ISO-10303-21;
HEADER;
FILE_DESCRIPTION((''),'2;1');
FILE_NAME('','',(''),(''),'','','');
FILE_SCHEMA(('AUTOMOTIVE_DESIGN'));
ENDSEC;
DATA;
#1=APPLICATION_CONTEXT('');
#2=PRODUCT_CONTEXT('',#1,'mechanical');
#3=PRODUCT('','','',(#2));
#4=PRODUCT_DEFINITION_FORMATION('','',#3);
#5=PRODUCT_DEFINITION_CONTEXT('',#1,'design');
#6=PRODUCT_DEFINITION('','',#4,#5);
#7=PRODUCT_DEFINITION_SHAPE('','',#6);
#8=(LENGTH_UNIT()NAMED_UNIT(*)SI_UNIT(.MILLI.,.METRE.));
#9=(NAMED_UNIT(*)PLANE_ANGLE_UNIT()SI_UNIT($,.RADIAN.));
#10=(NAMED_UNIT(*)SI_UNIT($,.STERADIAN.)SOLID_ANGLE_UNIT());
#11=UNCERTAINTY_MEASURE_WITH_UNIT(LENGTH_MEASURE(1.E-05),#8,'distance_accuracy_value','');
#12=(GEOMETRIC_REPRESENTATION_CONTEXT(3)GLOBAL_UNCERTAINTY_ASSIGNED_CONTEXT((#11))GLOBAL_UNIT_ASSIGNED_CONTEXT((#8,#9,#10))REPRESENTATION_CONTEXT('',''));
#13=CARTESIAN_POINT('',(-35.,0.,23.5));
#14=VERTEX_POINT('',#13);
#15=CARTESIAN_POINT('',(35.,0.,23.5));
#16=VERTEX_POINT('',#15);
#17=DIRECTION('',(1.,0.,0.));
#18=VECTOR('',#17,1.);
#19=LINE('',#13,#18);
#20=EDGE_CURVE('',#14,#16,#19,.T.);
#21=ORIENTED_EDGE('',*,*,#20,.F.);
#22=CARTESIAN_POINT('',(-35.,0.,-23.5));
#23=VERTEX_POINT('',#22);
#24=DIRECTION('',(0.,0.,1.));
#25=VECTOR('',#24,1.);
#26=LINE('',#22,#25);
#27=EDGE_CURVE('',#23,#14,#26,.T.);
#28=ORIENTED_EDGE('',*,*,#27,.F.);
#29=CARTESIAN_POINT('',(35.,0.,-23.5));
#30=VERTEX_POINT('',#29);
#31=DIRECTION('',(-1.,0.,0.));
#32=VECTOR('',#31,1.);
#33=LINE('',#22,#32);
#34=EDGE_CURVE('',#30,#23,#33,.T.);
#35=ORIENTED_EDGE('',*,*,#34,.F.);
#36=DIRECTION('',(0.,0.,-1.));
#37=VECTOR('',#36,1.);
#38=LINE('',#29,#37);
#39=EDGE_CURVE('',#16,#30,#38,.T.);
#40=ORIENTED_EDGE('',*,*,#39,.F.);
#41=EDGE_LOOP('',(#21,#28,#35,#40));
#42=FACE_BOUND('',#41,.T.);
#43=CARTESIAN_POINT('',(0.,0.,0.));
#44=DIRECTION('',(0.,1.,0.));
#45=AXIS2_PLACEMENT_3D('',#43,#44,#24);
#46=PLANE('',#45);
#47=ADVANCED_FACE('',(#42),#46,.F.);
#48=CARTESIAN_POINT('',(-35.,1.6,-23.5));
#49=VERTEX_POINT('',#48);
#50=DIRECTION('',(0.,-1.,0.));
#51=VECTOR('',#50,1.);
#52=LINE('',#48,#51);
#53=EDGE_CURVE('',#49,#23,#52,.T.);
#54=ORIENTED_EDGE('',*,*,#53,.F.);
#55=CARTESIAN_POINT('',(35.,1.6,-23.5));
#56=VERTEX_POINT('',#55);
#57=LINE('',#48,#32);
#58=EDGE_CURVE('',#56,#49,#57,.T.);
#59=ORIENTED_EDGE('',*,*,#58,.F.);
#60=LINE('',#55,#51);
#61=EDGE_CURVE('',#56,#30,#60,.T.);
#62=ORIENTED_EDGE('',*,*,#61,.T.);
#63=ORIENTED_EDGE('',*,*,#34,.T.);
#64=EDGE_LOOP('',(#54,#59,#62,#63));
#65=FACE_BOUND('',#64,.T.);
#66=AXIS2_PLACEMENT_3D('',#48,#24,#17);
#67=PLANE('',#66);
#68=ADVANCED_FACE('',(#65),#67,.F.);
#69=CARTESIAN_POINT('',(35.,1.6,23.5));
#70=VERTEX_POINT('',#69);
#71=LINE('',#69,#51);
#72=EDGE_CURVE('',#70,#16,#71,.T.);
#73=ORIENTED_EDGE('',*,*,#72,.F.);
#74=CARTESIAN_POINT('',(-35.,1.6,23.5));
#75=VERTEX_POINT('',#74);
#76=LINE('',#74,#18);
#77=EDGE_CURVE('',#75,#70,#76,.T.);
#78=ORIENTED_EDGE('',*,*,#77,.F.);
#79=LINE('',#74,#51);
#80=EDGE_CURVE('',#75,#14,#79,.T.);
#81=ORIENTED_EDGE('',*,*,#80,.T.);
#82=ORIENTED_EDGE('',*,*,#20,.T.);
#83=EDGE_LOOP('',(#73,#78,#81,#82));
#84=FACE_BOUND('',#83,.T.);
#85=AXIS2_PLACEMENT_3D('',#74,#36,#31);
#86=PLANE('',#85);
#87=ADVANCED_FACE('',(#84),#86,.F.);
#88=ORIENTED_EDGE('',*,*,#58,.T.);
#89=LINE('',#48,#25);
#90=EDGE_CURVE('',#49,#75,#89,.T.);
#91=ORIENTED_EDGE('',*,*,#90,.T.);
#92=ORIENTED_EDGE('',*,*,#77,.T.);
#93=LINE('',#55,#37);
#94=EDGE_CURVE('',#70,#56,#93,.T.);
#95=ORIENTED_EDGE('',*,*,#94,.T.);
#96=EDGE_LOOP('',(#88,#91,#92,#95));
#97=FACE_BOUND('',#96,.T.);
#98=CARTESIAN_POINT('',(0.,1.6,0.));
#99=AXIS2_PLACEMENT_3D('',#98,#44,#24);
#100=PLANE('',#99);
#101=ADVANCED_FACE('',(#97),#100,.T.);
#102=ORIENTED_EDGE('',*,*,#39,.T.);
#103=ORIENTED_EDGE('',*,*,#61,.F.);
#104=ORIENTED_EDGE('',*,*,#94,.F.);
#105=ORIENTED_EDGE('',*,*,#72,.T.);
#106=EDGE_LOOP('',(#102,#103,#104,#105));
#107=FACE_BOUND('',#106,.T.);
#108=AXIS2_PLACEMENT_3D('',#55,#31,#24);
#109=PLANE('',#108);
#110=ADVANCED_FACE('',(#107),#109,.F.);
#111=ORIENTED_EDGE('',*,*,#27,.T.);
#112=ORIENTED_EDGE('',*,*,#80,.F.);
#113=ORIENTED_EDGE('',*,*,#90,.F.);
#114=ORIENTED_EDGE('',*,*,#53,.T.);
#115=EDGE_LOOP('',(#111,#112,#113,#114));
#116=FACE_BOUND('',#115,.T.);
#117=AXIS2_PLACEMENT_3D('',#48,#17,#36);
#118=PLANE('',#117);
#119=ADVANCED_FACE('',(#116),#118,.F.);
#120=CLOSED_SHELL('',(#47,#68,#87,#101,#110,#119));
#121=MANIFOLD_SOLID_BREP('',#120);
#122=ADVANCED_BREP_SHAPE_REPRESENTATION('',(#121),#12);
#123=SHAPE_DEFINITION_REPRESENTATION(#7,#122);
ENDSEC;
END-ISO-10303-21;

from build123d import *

# Parameters (mm, degrees)
SKETCH_1_W      = 70
SKETCH_1_H      = 47
EXTRUDE_1_DEPTH = 1.6


with BuildPart() as part:
    # 草图1 → 凸台-拉伸1 (new body)
    with BuildSketch(Plane(origin=(0, 0, 0), x_dir=(1, 0, 0), z_dir=(0, 1, 0))):
        Rectangle(SKETCH_1_W, SKETCH_1_H)
    extrude(amount=EXTRUDE_1_DEPTH)


solid = part.part
